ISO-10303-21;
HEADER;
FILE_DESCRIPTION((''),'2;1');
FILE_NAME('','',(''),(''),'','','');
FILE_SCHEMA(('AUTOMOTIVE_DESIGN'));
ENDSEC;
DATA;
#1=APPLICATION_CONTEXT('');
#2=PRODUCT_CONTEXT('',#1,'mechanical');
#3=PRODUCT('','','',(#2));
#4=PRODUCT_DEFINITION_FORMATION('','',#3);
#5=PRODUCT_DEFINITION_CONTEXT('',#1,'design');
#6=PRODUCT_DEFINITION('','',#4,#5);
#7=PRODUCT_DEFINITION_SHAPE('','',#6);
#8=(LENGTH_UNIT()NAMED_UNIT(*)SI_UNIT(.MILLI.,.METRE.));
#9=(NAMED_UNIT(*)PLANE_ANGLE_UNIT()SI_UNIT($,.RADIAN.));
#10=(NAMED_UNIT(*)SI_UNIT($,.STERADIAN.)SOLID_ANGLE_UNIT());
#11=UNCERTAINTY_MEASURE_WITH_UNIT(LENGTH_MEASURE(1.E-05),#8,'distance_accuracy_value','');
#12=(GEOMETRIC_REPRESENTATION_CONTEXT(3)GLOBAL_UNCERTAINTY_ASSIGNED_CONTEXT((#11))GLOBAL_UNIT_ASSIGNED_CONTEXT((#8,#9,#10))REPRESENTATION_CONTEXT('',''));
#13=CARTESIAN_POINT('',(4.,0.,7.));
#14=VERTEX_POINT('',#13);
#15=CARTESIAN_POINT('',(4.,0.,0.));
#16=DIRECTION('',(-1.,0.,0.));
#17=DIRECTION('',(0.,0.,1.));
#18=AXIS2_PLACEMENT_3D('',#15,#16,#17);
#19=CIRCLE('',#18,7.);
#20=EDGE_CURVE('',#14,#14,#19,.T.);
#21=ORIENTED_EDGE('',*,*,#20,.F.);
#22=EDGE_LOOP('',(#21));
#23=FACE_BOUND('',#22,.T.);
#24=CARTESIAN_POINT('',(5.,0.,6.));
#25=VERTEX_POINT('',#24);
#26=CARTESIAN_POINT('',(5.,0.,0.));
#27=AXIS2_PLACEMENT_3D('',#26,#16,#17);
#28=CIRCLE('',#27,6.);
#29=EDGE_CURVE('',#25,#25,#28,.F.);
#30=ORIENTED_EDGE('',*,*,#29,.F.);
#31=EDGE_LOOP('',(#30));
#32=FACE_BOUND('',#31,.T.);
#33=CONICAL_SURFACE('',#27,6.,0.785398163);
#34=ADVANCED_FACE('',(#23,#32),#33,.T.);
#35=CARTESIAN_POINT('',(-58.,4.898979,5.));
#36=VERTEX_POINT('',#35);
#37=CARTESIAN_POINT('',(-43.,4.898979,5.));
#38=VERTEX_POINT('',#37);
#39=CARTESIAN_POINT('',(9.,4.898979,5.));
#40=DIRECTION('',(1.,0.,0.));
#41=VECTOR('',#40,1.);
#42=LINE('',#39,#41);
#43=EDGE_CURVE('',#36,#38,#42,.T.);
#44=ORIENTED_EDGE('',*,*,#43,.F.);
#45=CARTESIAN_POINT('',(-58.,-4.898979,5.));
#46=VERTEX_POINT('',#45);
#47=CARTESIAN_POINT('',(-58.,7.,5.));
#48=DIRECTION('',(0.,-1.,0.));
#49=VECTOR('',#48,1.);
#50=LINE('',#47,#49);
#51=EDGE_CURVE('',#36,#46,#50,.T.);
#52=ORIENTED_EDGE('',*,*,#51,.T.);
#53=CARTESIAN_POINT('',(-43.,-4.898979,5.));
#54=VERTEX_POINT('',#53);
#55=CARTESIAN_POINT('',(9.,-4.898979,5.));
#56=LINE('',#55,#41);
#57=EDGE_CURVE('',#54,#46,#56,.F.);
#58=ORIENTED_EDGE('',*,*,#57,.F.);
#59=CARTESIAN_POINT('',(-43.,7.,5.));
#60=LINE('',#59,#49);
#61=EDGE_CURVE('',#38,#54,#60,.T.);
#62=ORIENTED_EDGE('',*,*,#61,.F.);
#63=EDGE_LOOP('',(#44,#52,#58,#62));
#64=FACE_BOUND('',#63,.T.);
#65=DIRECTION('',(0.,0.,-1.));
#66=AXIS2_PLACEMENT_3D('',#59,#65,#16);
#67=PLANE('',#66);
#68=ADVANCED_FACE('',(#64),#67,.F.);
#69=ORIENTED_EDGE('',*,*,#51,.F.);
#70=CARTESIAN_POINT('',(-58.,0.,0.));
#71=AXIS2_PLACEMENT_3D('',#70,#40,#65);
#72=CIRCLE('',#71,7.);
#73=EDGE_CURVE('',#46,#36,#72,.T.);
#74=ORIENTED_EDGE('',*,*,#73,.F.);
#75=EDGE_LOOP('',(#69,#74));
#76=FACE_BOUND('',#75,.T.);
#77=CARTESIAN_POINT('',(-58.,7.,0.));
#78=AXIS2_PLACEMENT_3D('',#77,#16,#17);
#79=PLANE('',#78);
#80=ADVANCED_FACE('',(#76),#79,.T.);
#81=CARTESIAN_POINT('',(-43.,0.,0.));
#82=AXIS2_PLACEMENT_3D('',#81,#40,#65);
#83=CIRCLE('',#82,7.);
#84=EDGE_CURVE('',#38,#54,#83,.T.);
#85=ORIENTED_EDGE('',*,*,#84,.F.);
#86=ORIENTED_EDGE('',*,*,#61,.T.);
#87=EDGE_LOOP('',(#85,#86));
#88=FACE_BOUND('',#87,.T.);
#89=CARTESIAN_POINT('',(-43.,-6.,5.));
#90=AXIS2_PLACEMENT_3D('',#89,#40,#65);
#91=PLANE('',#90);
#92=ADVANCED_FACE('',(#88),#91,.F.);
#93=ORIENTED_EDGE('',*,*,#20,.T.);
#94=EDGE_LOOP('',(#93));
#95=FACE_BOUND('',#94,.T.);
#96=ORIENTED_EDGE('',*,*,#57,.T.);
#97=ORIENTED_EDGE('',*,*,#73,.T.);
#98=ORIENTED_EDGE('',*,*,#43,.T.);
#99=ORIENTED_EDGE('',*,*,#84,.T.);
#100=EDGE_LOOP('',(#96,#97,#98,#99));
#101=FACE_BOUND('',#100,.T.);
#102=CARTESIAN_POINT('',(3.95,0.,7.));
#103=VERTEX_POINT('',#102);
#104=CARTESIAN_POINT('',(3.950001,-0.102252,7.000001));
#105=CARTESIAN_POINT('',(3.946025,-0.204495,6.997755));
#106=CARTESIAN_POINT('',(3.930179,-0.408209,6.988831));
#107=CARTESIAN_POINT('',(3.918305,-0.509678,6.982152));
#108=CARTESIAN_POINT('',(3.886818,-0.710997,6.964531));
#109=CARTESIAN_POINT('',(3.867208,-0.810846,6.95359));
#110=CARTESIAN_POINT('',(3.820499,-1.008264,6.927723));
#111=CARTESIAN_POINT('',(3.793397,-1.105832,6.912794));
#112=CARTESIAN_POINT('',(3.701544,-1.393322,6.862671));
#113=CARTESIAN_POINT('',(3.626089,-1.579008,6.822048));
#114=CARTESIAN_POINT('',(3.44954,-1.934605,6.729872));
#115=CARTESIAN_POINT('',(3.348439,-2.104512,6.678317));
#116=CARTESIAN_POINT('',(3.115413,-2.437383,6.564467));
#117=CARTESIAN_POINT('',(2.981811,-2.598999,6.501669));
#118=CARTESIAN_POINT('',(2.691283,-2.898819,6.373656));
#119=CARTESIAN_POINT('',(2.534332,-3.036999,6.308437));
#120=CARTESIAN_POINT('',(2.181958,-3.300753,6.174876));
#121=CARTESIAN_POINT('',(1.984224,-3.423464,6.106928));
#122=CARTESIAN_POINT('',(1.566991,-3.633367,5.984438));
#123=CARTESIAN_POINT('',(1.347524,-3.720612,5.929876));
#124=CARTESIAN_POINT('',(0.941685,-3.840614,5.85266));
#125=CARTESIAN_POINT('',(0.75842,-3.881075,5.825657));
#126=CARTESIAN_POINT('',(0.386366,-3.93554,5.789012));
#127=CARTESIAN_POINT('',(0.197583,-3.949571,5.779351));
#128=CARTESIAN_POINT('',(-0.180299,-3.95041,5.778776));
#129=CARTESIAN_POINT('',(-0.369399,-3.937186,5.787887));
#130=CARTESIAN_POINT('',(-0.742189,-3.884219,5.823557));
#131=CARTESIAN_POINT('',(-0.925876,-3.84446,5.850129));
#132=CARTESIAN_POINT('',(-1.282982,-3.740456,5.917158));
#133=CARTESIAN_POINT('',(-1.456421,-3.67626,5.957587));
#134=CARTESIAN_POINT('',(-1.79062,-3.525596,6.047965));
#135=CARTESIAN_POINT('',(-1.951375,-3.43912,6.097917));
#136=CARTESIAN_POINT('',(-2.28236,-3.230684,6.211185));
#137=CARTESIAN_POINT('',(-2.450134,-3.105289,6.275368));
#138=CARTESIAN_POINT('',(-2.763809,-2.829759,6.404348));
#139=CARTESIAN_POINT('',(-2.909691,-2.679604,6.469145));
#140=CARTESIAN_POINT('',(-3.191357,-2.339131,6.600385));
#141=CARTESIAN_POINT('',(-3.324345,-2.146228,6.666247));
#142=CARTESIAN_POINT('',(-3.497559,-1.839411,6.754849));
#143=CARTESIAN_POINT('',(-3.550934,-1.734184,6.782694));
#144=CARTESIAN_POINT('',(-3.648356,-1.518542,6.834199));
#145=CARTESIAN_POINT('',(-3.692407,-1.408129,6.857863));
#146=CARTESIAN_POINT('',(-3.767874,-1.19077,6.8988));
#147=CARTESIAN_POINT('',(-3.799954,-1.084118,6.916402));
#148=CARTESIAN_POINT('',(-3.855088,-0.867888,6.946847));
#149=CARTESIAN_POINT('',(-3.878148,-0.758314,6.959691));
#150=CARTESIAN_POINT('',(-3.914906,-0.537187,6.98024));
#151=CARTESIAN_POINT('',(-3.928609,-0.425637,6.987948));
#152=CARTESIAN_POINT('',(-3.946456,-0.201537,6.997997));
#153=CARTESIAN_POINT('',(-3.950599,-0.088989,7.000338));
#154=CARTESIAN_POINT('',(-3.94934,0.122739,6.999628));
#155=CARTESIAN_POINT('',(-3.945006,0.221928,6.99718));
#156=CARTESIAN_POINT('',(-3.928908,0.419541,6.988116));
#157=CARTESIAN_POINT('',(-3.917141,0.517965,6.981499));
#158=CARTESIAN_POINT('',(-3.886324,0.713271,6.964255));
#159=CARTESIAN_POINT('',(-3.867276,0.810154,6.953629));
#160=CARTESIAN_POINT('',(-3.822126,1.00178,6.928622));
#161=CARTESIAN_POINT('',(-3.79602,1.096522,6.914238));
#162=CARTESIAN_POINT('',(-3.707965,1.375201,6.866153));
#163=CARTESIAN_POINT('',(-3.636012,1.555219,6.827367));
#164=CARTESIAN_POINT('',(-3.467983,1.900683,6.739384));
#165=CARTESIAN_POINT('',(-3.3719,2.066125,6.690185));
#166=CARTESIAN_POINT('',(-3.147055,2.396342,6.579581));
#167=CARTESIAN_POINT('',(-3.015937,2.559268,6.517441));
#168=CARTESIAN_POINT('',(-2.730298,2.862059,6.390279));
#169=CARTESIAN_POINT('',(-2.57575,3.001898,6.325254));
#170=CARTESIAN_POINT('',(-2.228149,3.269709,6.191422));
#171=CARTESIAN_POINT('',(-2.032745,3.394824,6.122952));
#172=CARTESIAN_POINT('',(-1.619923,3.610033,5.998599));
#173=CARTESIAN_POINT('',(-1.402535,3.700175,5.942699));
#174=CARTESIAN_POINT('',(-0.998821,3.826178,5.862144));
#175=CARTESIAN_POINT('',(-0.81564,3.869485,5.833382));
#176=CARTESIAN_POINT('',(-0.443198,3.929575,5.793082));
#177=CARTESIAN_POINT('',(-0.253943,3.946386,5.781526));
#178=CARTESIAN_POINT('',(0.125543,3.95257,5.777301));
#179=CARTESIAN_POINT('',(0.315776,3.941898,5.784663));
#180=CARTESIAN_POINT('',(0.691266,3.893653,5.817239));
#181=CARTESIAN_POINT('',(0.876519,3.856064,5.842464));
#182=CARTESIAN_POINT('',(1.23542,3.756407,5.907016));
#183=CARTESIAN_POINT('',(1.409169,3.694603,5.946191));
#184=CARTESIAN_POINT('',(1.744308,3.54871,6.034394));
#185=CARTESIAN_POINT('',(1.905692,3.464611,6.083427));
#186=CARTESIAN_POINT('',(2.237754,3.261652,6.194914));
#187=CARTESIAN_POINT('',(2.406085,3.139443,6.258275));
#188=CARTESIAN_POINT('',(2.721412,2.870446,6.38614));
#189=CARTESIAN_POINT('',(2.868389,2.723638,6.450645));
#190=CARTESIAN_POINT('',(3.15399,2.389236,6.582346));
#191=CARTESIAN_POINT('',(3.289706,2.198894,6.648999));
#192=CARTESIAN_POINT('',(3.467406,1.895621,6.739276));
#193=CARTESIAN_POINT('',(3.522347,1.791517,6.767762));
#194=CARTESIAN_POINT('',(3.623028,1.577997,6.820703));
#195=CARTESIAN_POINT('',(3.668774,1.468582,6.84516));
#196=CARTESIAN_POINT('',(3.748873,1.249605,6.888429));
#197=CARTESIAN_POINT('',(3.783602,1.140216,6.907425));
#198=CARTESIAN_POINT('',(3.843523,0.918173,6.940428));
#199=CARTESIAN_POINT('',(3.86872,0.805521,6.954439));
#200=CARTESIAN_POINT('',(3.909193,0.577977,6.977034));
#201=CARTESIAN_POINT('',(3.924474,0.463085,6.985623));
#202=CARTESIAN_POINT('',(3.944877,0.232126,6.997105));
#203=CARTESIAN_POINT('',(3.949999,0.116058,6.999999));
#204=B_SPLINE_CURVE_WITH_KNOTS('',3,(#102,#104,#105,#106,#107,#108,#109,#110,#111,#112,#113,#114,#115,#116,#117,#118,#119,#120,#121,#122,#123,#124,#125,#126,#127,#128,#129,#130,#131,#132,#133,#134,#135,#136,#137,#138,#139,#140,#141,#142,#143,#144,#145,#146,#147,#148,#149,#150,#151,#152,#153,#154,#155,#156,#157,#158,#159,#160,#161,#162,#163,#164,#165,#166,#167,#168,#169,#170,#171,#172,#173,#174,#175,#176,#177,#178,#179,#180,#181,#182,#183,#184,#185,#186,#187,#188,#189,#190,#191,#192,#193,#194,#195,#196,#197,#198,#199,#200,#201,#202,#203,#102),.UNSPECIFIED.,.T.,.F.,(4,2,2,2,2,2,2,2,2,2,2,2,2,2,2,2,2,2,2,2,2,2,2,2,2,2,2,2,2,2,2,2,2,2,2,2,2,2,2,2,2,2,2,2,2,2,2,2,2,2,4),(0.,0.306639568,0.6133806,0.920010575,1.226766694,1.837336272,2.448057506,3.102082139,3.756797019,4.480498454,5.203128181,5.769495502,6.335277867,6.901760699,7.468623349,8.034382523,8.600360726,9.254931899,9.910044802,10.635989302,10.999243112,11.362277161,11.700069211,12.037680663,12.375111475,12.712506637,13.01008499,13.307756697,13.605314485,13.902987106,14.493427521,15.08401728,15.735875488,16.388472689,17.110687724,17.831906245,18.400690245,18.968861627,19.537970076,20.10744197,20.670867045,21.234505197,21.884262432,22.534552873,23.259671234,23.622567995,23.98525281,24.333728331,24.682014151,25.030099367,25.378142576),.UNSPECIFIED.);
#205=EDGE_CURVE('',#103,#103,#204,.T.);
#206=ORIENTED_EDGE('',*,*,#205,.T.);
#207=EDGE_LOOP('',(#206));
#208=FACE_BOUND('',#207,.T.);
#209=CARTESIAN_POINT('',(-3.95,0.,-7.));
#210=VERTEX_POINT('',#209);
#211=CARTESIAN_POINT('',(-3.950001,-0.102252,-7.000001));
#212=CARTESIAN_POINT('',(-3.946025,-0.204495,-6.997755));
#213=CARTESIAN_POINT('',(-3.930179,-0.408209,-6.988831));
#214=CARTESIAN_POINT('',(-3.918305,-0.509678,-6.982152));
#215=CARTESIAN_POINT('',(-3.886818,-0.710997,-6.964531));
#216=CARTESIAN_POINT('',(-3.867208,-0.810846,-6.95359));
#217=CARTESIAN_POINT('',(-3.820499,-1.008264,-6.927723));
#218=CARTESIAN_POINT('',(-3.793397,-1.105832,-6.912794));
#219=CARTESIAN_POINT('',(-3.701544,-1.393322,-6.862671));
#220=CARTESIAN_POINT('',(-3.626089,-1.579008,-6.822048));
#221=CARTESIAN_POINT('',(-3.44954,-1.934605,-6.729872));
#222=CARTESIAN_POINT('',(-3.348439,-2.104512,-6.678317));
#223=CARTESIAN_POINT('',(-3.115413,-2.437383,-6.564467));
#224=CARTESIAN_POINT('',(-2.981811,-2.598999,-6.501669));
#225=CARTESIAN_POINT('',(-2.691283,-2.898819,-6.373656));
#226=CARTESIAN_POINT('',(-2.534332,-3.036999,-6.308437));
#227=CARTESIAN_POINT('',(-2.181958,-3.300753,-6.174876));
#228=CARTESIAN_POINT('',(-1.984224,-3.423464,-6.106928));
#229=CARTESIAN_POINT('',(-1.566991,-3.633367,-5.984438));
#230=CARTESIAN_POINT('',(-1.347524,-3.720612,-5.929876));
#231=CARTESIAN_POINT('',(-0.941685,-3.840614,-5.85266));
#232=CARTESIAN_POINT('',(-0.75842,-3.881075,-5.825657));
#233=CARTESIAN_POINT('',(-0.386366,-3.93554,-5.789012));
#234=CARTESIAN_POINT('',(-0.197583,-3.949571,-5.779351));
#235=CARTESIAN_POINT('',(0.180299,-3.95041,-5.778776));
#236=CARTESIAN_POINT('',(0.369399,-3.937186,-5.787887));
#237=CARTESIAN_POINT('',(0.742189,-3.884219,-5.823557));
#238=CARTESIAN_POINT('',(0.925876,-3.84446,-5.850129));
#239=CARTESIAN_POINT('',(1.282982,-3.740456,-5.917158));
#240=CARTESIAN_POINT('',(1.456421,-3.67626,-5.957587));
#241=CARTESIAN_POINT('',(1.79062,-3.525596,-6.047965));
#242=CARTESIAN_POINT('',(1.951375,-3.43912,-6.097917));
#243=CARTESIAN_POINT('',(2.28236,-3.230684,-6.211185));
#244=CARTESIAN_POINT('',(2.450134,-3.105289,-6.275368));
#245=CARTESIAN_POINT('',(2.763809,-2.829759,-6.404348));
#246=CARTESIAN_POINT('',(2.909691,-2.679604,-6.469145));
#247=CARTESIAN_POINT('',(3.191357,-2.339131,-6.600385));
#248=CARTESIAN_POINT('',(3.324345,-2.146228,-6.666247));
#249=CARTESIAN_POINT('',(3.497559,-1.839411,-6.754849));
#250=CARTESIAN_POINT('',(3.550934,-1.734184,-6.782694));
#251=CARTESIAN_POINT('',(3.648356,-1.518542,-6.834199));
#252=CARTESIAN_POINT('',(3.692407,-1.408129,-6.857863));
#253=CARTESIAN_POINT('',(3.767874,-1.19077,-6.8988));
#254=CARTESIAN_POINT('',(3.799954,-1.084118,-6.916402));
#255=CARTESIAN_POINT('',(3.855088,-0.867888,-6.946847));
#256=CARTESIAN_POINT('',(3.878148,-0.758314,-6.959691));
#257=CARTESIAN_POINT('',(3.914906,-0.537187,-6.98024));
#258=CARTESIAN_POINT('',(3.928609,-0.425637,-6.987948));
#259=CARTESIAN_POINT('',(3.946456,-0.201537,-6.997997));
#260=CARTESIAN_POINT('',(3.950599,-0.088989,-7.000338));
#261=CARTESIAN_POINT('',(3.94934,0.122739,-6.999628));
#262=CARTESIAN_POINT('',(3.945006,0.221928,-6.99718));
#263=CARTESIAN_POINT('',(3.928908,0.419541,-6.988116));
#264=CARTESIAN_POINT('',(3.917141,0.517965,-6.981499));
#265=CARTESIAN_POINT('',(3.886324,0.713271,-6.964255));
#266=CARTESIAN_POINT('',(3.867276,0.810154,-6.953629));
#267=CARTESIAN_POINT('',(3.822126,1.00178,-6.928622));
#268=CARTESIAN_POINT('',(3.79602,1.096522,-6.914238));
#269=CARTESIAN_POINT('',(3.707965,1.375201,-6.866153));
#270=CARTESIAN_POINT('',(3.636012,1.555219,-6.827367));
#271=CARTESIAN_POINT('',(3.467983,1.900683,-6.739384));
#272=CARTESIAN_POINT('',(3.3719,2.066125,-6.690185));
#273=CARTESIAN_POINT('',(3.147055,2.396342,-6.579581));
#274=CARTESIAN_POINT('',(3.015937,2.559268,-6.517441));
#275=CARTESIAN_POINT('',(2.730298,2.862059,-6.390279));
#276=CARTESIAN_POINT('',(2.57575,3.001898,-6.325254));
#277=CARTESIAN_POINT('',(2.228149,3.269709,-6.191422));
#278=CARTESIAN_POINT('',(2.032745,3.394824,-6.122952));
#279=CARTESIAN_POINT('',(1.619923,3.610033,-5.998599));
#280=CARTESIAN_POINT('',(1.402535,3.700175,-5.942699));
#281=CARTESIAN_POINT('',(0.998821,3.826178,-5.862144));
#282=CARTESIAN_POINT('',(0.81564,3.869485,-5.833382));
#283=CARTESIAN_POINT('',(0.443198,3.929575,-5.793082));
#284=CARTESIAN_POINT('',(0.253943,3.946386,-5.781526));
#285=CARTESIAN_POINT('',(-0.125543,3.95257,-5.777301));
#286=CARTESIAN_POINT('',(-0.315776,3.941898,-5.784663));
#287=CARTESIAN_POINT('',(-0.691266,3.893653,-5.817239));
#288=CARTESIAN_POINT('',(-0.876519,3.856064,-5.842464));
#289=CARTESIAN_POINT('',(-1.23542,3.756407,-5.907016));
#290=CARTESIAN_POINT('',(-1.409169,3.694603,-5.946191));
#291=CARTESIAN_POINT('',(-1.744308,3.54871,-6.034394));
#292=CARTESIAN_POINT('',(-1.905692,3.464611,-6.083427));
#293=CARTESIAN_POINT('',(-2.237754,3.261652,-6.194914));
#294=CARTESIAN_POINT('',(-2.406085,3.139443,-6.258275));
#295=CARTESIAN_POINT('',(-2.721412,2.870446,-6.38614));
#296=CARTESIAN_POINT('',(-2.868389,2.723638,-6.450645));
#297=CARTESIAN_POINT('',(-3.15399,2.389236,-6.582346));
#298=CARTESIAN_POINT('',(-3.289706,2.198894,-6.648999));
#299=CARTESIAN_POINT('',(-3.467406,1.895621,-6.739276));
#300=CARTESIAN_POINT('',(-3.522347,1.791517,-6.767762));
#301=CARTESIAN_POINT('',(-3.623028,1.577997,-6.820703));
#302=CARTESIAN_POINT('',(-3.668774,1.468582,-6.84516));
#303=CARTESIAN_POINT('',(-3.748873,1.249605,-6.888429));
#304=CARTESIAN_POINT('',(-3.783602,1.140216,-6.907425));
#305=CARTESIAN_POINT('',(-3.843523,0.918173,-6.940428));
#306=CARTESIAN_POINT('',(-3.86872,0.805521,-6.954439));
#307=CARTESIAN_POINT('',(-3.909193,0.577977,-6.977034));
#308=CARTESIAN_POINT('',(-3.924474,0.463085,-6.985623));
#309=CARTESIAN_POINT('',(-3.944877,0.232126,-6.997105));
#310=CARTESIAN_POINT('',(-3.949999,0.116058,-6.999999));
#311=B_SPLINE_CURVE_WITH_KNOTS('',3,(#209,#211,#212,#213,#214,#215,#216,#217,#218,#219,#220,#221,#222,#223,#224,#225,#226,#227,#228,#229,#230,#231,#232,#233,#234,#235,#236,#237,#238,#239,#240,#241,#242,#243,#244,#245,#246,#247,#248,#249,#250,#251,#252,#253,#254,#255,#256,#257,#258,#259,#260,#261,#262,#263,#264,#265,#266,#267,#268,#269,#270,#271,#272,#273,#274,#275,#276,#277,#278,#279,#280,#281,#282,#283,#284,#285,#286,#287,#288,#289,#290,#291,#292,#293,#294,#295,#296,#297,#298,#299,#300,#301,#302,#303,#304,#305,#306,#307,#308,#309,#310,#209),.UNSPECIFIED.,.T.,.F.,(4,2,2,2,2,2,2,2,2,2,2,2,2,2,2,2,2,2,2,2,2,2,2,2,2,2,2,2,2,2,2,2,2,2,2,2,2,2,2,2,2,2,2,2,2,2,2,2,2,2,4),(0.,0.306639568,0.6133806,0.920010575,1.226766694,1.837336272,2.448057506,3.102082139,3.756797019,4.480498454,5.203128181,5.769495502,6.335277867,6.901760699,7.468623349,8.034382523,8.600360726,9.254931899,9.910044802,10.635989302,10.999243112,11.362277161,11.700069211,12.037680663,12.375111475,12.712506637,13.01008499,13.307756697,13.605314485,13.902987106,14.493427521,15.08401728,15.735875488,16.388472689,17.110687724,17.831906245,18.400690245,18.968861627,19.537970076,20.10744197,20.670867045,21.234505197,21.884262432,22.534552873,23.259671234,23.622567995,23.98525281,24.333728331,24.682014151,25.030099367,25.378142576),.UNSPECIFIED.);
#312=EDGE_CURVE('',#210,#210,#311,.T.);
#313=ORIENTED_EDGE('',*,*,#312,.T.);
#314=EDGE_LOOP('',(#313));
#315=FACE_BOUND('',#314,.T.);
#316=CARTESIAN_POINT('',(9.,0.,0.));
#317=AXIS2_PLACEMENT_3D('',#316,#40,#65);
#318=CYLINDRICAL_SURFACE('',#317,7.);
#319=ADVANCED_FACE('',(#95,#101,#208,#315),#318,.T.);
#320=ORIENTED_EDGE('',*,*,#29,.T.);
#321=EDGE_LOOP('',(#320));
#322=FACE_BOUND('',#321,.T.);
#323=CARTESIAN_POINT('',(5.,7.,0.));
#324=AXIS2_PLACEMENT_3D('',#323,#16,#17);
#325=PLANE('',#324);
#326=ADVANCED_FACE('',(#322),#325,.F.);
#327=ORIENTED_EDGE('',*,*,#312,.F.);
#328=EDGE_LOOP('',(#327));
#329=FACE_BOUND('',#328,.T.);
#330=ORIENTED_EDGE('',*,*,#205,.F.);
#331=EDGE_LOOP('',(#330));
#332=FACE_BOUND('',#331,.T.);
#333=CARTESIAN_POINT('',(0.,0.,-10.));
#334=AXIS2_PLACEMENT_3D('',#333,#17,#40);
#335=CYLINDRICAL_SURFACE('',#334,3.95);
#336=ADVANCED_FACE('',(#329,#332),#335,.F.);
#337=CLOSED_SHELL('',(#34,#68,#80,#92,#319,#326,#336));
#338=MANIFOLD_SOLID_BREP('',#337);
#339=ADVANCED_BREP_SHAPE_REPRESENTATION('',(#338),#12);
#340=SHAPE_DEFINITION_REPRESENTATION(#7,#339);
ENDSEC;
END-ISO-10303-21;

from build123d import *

# Parameters (mm, degrees)
ESQUISSE1_W                  = 63
ESQUISSE1_H                  = 7
CHANFREIN1_SIZE              = 1
ENL_V_MAT_EXTRU_2_DEPTH      = 10
ENL_V_MAT_EXTRU_2_DEPTH_BACK = 10
ESQUISSE2_R                  = 3.95
ESQUISSE3_W                  = 3
ESQUISSE3_H                  = 13
ENL_V_MAT_EXTRU_3_DEPTH      = 15


with BuildPart() as part:
    # Esquisse1 → Base-Révolution (revolve)
    with BuildSketch(Plane.XY, mode=Mode.PRIVATE) as base_r_volution_sk:
        with Locations((-26.5, 3.5)):
            Rectangle(ESQUISSE1_W, ESQUISSE1_H)
    revolve(base_r_volution_sk.sketch.rotate(Axis((9, 0, 0), (-1, 0, 0)), 314.415308597), axis=Axis((9, 0, 0), (-1, 0, 0)))

    # Chanfrein1
    chanfrein1_edges = [part.edges().sort_by_distance(p)[0] for p in [
        (5, -4.898979486, -5),
    ]]
    chamfer(chanfrein1_edges, length=CHANFREIN1_SIZE)

    # Esquisse2 → Enlèv. mat.-Extru.2 (cut, two sides: drawn at the far end of the back side and taken through both)
    with BuildSketch(Plane.XY.offset(-ENL_V_MAT_EXTRU_2_DEPTH_BACK)):
        Circle(ESQUISSE2_R)
    extrude(amount=ENL_V_MAT_EXTRU_2_DEPTH + ENL_V_MAT_EXTRU_2_DEPTH_BACK, mode=Mode.SUBTRACT)

    # Esquisse3 → Enlèv. mat.-Extru.3 (cut)
    with BuildSketch(Plane.ZY.offset(58)):
        with Locations((6.5, 0.5)):
            Rectangle(ESQUISSE3_W, ESQUISSE3_H)
    extrude(amount=-ENL_V_MAT_EXTRU_3_DEPTH, mode=Mode.SUBTRACT)


solid = part.part
